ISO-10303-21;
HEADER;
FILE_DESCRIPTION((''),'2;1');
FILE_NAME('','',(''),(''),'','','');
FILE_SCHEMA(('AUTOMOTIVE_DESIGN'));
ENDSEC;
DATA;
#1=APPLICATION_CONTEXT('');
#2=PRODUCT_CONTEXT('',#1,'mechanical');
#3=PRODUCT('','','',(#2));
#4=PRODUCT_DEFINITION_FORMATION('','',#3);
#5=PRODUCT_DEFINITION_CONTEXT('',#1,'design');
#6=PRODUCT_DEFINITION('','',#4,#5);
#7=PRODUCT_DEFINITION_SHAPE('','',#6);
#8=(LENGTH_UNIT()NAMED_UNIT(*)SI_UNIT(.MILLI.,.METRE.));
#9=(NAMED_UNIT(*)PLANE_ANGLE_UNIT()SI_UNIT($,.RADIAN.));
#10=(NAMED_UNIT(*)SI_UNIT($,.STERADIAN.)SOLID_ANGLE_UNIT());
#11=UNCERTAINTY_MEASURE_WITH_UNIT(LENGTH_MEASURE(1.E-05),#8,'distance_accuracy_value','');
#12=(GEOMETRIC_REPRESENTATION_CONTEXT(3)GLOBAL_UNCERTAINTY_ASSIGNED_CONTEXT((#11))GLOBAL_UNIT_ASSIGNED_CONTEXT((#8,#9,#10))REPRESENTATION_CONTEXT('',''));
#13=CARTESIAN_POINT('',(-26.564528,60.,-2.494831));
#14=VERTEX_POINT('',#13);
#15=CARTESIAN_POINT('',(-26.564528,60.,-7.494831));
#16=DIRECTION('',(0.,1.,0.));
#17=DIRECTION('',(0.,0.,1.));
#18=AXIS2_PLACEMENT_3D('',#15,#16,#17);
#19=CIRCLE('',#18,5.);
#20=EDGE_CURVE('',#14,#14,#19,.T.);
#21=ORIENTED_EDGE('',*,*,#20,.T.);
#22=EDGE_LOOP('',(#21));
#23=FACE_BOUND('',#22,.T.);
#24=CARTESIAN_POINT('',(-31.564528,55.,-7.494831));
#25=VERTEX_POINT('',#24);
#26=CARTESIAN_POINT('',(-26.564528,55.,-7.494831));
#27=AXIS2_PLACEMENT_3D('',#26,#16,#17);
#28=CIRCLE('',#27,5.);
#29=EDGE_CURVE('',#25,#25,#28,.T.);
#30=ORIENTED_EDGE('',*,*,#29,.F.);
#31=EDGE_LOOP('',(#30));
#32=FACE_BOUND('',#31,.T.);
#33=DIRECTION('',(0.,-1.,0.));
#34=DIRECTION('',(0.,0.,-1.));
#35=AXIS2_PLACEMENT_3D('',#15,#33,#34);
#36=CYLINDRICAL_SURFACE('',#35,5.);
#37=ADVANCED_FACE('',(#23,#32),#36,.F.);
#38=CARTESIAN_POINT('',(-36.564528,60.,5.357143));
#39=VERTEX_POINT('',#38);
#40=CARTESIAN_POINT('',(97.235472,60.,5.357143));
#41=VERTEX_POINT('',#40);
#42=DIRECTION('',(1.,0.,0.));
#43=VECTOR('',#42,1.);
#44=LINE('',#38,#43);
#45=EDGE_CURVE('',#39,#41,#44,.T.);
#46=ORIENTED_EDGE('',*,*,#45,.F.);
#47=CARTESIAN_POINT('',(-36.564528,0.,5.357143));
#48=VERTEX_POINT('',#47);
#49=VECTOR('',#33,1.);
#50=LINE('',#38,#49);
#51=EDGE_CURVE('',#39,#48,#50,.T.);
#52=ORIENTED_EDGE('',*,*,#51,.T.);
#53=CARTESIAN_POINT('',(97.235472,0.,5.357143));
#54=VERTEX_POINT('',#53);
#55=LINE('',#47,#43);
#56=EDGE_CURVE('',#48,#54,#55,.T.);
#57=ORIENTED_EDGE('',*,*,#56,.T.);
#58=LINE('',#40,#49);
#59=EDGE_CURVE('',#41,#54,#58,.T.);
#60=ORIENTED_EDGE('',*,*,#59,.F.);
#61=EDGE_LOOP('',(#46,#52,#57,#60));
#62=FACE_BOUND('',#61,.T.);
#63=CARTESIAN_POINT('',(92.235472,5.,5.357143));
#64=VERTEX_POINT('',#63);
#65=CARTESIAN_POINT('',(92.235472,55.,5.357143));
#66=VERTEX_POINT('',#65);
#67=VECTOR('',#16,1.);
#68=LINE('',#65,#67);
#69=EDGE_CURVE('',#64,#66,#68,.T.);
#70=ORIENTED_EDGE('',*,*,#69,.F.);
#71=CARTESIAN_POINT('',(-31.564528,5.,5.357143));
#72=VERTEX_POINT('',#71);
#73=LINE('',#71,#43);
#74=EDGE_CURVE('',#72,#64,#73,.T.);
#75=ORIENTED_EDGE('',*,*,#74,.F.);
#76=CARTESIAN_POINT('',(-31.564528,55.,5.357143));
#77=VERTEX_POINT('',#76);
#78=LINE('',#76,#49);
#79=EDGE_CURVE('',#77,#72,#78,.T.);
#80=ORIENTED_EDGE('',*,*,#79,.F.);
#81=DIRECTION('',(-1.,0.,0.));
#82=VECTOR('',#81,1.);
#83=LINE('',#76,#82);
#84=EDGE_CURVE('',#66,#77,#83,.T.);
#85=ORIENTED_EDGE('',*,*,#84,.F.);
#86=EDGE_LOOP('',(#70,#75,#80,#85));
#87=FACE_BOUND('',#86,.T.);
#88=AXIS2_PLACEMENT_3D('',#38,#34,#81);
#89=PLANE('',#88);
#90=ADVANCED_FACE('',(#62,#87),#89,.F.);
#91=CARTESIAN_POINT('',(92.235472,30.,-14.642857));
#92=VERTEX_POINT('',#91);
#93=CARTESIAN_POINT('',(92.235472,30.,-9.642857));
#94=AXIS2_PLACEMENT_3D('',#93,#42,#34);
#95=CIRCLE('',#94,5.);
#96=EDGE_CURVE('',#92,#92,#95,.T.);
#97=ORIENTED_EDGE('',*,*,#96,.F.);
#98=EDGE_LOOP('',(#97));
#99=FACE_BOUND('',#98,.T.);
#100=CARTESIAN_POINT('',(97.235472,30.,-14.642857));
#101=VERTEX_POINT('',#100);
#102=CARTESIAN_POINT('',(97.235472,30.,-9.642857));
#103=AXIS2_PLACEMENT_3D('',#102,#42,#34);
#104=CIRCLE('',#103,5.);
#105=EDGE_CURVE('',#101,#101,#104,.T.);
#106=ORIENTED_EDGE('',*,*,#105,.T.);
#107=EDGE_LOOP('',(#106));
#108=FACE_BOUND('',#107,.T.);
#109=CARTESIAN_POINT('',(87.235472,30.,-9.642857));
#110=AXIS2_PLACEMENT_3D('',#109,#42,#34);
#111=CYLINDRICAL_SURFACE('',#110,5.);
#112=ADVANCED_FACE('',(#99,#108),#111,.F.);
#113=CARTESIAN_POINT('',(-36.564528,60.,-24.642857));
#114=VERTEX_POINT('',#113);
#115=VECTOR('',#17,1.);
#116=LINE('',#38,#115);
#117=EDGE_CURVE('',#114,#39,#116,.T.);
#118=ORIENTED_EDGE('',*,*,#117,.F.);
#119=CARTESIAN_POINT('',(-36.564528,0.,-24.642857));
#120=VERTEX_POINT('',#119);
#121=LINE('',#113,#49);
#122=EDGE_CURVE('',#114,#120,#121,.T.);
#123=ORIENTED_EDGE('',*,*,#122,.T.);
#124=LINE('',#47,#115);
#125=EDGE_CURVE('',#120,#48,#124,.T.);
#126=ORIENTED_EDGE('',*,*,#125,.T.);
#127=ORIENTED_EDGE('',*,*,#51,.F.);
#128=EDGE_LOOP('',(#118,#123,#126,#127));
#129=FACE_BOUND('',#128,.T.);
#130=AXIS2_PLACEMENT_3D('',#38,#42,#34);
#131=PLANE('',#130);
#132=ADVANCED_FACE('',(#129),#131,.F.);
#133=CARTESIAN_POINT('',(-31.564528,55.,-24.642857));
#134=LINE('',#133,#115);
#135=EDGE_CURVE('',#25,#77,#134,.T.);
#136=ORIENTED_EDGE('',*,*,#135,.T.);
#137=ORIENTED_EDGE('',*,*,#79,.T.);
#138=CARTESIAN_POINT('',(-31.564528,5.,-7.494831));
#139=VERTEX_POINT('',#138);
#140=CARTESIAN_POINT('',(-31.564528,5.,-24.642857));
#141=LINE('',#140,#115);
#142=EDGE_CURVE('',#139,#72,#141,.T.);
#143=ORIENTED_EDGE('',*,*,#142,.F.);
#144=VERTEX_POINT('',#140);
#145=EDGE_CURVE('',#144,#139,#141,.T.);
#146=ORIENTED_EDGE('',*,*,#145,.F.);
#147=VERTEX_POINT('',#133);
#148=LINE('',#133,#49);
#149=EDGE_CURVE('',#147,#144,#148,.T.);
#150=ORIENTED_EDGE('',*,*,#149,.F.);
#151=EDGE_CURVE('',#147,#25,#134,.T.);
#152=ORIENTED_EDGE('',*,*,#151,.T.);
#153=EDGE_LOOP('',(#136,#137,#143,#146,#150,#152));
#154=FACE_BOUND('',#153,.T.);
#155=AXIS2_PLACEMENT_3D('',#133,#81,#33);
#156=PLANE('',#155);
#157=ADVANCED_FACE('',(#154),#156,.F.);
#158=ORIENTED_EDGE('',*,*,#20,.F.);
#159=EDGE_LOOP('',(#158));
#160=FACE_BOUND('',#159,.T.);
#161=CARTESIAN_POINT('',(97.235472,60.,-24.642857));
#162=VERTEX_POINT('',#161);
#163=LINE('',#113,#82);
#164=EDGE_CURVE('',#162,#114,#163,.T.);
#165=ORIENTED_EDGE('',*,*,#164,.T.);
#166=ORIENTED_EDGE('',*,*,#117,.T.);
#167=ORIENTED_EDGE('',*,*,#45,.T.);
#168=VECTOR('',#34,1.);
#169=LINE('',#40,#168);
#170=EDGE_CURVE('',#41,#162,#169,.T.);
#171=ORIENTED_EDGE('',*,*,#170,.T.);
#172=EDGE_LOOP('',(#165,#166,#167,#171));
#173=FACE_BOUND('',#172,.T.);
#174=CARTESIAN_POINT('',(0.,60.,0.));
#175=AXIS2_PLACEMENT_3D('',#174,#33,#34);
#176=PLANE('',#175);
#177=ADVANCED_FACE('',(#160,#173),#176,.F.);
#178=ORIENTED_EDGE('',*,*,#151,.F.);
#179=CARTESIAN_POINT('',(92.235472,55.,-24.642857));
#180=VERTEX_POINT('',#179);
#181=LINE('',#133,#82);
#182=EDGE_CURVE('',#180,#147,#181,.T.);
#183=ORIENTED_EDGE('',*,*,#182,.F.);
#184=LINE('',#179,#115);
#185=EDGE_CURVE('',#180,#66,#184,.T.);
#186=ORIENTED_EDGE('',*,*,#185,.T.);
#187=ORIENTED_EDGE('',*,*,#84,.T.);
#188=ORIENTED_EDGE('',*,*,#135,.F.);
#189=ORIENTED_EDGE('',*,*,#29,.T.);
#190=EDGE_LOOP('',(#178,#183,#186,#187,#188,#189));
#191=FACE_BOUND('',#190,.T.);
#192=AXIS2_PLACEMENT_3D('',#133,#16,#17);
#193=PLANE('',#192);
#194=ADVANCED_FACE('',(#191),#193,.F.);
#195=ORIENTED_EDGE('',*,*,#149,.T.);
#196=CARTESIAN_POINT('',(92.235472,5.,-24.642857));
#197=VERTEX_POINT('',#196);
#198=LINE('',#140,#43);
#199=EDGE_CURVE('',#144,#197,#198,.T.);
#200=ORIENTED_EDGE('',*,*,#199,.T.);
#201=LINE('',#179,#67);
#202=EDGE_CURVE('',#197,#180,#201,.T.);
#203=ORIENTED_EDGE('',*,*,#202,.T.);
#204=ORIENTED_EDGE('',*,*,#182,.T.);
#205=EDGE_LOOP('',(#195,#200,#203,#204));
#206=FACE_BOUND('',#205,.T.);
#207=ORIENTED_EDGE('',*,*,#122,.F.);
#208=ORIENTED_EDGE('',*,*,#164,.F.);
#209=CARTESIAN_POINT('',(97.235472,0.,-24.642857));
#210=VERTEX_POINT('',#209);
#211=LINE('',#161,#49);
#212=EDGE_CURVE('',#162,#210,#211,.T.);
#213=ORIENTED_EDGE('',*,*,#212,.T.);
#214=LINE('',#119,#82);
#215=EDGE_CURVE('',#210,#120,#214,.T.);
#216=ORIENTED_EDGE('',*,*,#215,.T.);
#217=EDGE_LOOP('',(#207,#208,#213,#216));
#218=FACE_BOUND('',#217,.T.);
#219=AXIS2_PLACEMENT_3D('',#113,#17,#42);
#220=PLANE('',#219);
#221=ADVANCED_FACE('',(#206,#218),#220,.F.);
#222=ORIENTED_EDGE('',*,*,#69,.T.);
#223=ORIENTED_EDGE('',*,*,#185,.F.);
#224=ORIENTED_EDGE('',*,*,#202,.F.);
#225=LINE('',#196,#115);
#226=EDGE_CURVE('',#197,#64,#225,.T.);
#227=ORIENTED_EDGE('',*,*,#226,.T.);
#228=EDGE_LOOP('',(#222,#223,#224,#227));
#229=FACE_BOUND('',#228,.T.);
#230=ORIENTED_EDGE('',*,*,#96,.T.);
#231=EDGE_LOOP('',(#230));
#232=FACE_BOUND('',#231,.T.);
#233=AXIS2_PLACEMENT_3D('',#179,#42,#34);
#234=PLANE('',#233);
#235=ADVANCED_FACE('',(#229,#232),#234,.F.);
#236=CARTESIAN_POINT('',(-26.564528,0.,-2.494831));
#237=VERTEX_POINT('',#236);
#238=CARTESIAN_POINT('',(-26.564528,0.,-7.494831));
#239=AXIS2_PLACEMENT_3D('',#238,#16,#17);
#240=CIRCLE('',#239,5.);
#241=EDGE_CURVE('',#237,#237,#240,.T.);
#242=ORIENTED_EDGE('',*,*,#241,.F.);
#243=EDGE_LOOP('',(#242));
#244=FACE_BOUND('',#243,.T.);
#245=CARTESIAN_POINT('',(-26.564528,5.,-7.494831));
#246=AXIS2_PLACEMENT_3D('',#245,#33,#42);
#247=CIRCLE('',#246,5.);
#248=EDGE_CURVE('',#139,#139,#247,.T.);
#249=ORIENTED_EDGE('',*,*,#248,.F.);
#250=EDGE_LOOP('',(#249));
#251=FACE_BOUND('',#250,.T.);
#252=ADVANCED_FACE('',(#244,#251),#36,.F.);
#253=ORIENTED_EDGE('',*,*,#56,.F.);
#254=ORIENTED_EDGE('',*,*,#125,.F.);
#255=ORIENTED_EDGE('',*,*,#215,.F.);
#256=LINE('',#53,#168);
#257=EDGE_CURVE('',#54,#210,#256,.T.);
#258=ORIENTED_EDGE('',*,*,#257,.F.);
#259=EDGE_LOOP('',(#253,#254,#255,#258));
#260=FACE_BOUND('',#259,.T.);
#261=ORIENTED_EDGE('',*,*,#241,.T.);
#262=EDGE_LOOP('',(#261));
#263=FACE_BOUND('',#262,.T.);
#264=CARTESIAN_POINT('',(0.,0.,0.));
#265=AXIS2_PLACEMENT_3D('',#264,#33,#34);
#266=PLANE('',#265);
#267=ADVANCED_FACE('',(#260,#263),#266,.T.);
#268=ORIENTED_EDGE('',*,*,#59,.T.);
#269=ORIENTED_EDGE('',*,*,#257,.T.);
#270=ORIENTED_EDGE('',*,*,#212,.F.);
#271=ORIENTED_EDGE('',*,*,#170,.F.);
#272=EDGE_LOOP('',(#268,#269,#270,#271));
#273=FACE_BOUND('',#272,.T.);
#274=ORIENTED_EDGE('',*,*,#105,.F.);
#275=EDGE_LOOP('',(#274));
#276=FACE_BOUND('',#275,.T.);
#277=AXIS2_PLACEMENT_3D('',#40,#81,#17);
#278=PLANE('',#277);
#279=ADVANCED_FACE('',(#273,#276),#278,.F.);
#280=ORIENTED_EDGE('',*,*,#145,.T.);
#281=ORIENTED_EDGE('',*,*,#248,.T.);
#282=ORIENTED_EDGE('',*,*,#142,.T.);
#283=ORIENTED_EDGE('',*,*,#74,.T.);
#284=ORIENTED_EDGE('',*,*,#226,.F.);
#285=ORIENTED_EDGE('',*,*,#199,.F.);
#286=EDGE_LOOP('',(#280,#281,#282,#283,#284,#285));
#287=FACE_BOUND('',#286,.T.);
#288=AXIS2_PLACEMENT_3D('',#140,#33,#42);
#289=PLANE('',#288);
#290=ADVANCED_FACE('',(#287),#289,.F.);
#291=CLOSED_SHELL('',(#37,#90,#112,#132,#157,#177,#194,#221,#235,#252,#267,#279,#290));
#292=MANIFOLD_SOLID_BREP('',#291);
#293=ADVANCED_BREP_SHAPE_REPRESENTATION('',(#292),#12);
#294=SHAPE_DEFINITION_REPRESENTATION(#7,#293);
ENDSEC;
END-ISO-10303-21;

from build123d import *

# Parameters (mm, degrees)
CROQUIS1_W              = 133.8
CROQUIS1_H              = 30
CROQUIS1_R              = 5
SALIENTE_EXTRUIR1_DEPTH = 60
CROQUIS2_W              = 123.8
CROQUIS2_H              = 50
CORTAR_EXTRUIR1_DEPTH   = 119.130169906
CROQUIS3_R              = 5
CORTAR_EXTRUIR2_DEPTH   = 10


with BuildPart() as part:
    # Croquis1 → Saliente-Extruir1 (new body)
    with BuildSketch(Plane(origin=(0, 0, 0), x_dir=(1, 0, 0), z_dir=(0, 1, 0))):
        with Locations((30.335472139, 9.642857143)):
            Rectangle(CROQUIS1_W, CROQUIS1_H)
        with Locations((-26.564527861, 7.494831092)):
            Circle(CROQUIS1_R, mode=Mode.SUBTRACT)
    extrude(amount=SALIENTE_EXTRUIR1_DEPTH)

    # Croquis2 → Cortar-Extruir1 (cut, through all)
    with BuildSketch(Plane.XY.offset(5.357142857)):
        with Locations((30.335472139, 30)):
            Rectangle(CROQUIS2_W, CROQUIS2_H)
    extrude(amount=-CORTAR_EXTRUIR1_DEPTH, mode=Mode.SUBTRACT)

    # Croquis3 → Cortar-Extruir2 (cut)
    with BuildSketch(Plane(origin=(97.235472139, 0, 0), x_dir=(0, 0, -1), z_dir=(1, 0, 0))):
        with Locations((9.642857143, 30)):
            Circle(CROQUIS3_R)
    extrude(amount=-CORTAR_EXTRUIR2_DEPTH, mode=Mode.SUBTRACT)


solid = part.part
